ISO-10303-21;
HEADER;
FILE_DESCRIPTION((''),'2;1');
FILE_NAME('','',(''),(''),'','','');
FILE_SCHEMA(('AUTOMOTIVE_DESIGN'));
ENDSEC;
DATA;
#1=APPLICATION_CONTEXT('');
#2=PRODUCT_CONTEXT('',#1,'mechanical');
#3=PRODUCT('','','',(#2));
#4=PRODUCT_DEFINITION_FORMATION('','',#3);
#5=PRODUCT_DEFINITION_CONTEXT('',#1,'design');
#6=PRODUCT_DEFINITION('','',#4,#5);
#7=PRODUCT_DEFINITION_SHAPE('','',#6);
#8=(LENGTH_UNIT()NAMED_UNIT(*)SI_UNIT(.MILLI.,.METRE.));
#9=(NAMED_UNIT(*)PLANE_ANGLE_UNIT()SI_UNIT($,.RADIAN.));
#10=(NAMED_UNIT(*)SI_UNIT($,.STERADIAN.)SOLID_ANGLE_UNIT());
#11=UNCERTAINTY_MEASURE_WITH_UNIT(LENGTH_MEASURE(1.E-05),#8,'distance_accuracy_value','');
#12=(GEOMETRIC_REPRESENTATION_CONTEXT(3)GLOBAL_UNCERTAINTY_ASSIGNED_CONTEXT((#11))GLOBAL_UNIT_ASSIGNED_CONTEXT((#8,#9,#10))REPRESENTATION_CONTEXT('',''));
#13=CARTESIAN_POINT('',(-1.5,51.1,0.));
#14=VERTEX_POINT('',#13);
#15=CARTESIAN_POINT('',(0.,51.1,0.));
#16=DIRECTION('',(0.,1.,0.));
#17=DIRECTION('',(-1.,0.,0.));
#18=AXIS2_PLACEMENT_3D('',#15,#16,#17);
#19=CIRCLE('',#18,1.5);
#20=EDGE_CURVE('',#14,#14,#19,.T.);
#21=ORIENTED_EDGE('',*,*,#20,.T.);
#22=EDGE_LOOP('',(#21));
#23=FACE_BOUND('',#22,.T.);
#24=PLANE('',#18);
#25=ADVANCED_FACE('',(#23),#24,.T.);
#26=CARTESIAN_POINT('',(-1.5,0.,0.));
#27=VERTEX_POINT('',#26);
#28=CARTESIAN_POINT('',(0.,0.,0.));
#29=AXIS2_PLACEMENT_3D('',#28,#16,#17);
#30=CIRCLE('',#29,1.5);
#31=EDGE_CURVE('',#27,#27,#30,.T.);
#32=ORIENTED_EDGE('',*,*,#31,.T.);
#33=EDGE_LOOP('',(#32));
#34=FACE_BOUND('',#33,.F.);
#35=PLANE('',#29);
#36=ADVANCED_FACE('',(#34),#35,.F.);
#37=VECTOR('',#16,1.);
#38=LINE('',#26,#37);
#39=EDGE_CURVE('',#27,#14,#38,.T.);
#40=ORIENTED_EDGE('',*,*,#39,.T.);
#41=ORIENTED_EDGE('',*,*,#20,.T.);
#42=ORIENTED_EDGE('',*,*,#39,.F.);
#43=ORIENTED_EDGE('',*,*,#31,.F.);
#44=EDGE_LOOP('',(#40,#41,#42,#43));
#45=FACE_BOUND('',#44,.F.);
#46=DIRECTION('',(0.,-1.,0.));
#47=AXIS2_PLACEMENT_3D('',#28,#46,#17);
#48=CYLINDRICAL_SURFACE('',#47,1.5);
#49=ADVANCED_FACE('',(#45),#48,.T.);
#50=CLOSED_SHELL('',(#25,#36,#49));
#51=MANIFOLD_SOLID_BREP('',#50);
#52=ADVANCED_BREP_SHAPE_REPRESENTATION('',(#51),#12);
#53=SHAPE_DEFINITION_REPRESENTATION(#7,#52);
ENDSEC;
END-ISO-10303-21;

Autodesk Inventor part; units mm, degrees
ref_plane "YZ Plane" through (0, 0, 0) normal (1, 0, 0) x (0, 1, 0)
ref_plane "XZ Plane" through (0, 0, 0) normal (0, 1, 0) x (-1, 0, 0)
ref_plane "XY Plane" through (0, 0, 0) normal (0, 0, 1) x (1, 0, 0)
sketch "Sketch1" plane through (0, 0, 0) normal (0, 1, 0) x (-1, 0, 0)
  circle A0 centre (0, 0) radius 1.5
  dimension "d0" = 3
extrude "Extrusion1" add sketch "Sketch1" along normal blind 51.1
properties part number "Pivot M3 Shaft"
